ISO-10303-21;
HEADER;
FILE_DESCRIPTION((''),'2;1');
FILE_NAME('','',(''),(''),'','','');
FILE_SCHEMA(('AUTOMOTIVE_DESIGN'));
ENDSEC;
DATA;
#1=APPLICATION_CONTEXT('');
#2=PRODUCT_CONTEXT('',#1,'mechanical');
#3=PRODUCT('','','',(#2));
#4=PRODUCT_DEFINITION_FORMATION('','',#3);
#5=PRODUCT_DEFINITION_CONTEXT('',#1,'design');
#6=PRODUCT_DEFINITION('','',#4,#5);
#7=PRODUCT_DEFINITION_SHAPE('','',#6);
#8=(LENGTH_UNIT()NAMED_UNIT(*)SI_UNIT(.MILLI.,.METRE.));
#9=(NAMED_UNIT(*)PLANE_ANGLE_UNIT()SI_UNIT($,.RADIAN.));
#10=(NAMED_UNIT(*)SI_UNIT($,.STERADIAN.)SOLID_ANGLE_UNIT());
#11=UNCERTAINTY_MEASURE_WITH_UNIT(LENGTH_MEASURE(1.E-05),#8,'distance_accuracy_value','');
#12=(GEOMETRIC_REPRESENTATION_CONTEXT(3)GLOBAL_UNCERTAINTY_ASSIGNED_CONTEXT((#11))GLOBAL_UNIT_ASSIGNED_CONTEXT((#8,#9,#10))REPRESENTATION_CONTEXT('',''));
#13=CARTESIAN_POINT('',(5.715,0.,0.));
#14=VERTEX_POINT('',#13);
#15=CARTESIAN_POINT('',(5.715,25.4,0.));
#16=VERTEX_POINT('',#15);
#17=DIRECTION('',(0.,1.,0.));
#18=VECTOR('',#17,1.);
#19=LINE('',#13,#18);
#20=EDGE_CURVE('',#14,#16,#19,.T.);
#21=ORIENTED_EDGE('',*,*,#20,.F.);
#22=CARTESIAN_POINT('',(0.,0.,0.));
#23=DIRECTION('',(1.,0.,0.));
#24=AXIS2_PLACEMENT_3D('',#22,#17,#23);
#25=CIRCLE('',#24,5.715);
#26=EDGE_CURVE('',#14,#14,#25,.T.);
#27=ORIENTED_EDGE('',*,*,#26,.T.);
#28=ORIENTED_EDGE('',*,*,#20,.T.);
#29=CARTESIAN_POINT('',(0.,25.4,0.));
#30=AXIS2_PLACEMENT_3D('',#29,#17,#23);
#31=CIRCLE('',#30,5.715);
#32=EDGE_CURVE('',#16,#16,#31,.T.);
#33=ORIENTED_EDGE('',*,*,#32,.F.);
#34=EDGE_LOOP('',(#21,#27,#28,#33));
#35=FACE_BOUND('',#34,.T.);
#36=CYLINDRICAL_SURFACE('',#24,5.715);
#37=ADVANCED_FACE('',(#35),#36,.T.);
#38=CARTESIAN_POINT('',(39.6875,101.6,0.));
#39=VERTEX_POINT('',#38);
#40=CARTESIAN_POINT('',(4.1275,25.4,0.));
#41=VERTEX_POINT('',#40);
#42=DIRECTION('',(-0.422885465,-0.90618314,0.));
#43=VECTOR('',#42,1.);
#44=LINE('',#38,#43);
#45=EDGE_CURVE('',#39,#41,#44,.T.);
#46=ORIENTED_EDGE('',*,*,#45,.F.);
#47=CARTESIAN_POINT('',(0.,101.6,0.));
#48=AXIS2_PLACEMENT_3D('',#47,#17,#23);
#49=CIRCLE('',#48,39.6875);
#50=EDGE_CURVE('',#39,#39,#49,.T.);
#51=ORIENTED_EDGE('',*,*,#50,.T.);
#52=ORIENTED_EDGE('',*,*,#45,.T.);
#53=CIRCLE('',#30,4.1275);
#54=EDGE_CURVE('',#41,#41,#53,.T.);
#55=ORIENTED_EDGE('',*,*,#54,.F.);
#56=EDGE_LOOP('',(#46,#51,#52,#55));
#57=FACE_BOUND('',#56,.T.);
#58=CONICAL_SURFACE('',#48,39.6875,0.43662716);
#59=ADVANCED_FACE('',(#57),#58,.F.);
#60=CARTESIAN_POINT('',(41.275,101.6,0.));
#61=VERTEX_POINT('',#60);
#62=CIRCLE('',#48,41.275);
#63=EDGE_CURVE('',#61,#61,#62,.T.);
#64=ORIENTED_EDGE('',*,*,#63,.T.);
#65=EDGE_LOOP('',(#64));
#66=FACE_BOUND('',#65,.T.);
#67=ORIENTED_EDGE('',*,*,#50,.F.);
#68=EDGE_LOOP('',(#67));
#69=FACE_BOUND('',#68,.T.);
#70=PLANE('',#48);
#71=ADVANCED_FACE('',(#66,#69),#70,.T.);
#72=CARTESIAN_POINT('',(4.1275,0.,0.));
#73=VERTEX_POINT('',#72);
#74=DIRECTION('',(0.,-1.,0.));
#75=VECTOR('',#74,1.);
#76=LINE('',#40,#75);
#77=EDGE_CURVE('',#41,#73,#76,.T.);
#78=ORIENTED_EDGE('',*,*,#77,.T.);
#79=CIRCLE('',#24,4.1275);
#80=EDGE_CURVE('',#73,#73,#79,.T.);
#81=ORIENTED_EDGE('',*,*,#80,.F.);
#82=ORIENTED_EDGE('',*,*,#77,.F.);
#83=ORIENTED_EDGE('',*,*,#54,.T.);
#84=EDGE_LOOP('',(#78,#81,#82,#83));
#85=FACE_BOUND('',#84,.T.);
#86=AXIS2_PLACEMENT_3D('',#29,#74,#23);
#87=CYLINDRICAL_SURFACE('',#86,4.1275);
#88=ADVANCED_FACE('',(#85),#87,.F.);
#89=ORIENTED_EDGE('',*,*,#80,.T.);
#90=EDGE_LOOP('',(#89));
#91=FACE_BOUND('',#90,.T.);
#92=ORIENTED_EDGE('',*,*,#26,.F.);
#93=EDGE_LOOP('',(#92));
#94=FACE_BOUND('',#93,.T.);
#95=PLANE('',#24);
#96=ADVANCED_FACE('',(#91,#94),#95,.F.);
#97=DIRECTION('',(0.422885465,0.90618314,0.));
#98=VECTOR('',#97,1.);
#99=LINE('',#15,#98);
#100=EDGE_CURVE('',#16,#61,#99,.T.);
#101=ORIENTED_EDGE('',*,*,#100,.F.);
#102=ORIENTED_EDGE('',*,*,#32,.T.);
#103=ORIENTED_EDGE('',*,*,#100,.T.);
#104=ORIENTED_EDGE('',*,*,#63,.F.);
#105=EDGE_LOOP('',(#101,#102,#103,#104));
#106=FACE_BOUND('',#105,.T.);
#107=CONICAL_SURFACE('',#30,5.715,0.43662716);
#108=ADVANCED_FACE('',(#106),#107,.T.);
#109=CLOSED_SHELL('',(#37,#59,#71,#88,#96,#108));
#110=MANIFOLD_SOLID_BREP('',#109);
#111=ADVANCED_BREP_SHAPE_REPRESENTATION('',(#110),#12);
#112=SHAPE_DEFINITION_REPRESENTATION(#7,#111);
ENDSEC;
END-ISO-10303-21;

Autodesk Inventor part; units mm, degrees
ref_plane "YZ Plane" through (0, 0, 0) normal (1, 0, 0) x (0, 1, 0)
ref_plane "XZ Plane" through (0, 0, 0) normal (0, 1, 0) x (-1, 0, 0)
ref_plane "XY Plane" through (0, 0, 0) normal (0, 0, 1) x (1, 0, 0)
sketch "Sketch1" plane through (0, 0, 0) normal (0, 0, 1) x (1, 0, 0)
  line L0 (5.715, 0) -> (5.715, 25.4)
  line L1 (5.715, 25.4) -> (41.275, 101.6)
  line L2 (41.275, 101.6) -> (39.6875, 101.6)
  line L3 (39.6875, 101.6) -> (4.1275, 25.4)
  line L4 (4.1275, 25.4) -> (4.1275, 0)
  line L5 (4.1275, 0) -> (5.715, 0)
  line L6 (0, 0) -> (5.715, 0) construction
  line L7 (0, 0) -> (0, 101.6) construction
  line L8 (5.715, 25.4) -> (71.0866, 25.4) construction
  dimension "d0" = 1.5875
  dimension "d1" = 5.715
  dimension "d2" = 25.4
  dimension "d3" = 101.6
  dimension "d4" = 41.275
  dimension "d7" = 76.2
revolve "Revolution1" add sketch "Sketch1" angle 360 about axis through (0, 0, 0) along (0, 1, 0)
properties part number "funnellForLogSplitter"
